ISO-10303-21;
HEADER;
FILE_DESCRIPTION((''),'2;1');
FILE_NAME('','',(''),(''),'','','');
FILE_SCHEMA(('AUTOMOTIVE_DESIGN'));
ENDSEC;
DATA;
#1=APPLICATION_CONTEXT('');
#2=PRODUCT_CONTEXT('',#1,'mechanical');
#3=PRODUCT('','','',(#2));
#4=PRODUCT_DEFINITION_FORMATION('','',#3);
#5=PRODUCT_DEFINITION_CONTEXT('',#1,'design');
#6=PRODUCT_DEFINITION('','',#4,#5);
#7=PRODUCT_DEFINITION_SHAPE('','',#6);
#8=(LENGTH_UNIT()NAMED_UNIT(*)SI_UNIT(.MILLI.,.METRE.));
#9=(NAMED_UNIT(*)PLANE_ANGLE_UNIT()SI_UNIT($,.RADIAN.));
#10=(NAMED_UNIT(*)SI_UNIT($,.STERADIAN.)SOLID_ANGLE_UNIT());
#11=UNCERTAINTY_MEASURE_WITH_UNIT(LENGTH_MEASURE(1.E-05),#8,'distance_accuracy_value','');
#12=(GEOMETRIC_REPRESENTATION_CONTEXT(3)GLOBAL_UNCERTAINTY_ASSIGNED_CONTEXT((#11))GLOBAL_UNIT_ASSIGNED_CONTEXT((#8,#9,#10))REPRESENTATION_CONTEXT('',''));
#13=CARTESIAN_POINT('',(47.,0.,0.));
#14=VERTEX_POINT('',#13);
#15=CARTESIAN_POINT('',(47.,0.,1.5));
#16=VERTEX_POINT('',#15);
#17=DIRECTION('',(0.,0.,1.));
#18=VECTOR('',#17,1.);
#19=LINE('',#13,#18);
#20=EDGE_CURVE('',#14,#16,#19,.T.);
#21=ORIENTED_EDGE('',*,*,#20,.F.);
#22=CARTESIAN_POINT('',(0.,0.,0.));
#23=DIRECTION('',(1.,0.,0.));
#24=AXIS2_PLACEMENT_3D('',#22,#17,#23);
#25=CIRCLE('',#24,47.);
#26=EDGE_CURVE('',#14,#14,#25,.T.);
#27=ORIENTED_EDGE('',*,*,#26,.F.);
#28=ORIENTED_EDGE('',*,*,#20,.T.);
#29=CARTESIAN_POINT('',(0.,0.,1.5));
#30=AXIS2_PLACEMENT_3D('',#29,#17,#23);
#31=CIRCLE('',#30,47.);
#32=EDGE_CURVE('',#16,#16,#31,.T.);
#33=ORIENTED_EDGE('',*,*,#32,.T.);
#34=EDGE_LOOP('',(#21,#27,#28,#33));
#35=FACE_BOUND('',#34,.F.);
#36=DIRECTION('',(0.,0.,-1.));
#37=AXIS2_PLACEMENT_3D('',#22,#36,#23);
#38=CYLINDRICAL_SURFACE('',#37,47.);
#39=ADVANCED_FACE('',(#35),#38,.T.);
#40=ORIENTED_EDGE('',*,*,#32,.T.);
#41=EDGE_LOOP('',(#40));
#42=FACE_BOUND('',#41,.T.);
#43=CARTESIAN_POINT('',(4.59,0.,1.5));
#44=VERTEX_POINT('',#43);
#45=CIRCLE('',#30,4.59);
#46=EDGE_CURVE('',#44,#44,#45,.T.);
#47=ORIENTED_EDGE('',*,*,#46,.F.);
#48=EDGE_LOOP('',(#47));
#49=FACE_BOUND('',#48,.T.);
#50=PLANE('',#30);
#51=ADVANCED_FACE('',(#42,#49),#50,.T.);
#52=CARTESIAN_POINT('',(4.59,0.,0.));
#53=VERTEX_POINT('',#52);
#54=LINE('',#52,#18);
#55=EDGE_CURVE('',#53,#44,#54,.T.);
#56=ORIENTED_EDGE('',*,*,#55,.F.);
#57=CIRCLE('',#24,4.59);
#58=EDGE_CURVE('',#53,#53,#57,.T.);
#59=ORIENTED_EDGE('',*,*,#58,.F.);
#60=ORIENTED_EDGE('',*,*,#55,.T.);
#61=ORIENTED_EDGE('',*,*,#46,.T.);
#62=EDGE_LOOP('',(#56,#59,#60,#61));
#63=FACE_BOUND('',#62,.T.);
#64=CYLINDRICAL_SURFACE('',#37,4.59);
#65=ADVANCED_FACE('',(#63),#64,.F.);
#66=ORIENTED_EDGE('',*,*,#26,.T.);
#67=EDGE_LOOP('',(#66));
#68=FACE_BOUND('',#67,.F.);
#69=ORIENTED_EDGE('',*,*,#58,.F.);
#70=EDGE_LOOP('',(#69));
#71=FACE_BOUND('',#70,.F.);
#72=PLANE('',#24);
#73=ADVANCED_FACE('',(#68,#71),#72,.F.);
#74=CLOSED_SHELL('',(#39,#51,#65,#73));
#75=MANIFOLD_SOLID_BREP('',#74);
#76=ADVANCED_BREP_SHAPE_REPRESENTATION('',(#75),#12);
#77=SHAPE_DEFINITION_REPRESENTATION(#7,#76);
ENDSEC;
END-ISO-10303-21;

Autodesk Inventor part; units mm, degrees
ref_plane "YZ Plane" through (0, 0, 0) normal (1, 0, 0) x (0, 1, 0)
ref_plane "XZ Plane" through (0, 0, 0) normal (0, 1, 0) x (-1, 0, 0)
ref_plane "XY Plane" through (0, 0, 0) normal (0, 0, 1) x (1, 0, 0)
sketch "Sketch1" plane through (0, 0, 0) normal (0, 0, 1) x (1, 0, 0)
  circle A0 centre (0, 0) radius 4.59
  circle A1 centre (0, 0) radius 47
  dimension "d0" = 9.18
  dimension "d1" = 94
extrude "Extrusion1" add sketch "Sketch1" along normal blind 1.5
properties part number "NPT Outer Gland"
